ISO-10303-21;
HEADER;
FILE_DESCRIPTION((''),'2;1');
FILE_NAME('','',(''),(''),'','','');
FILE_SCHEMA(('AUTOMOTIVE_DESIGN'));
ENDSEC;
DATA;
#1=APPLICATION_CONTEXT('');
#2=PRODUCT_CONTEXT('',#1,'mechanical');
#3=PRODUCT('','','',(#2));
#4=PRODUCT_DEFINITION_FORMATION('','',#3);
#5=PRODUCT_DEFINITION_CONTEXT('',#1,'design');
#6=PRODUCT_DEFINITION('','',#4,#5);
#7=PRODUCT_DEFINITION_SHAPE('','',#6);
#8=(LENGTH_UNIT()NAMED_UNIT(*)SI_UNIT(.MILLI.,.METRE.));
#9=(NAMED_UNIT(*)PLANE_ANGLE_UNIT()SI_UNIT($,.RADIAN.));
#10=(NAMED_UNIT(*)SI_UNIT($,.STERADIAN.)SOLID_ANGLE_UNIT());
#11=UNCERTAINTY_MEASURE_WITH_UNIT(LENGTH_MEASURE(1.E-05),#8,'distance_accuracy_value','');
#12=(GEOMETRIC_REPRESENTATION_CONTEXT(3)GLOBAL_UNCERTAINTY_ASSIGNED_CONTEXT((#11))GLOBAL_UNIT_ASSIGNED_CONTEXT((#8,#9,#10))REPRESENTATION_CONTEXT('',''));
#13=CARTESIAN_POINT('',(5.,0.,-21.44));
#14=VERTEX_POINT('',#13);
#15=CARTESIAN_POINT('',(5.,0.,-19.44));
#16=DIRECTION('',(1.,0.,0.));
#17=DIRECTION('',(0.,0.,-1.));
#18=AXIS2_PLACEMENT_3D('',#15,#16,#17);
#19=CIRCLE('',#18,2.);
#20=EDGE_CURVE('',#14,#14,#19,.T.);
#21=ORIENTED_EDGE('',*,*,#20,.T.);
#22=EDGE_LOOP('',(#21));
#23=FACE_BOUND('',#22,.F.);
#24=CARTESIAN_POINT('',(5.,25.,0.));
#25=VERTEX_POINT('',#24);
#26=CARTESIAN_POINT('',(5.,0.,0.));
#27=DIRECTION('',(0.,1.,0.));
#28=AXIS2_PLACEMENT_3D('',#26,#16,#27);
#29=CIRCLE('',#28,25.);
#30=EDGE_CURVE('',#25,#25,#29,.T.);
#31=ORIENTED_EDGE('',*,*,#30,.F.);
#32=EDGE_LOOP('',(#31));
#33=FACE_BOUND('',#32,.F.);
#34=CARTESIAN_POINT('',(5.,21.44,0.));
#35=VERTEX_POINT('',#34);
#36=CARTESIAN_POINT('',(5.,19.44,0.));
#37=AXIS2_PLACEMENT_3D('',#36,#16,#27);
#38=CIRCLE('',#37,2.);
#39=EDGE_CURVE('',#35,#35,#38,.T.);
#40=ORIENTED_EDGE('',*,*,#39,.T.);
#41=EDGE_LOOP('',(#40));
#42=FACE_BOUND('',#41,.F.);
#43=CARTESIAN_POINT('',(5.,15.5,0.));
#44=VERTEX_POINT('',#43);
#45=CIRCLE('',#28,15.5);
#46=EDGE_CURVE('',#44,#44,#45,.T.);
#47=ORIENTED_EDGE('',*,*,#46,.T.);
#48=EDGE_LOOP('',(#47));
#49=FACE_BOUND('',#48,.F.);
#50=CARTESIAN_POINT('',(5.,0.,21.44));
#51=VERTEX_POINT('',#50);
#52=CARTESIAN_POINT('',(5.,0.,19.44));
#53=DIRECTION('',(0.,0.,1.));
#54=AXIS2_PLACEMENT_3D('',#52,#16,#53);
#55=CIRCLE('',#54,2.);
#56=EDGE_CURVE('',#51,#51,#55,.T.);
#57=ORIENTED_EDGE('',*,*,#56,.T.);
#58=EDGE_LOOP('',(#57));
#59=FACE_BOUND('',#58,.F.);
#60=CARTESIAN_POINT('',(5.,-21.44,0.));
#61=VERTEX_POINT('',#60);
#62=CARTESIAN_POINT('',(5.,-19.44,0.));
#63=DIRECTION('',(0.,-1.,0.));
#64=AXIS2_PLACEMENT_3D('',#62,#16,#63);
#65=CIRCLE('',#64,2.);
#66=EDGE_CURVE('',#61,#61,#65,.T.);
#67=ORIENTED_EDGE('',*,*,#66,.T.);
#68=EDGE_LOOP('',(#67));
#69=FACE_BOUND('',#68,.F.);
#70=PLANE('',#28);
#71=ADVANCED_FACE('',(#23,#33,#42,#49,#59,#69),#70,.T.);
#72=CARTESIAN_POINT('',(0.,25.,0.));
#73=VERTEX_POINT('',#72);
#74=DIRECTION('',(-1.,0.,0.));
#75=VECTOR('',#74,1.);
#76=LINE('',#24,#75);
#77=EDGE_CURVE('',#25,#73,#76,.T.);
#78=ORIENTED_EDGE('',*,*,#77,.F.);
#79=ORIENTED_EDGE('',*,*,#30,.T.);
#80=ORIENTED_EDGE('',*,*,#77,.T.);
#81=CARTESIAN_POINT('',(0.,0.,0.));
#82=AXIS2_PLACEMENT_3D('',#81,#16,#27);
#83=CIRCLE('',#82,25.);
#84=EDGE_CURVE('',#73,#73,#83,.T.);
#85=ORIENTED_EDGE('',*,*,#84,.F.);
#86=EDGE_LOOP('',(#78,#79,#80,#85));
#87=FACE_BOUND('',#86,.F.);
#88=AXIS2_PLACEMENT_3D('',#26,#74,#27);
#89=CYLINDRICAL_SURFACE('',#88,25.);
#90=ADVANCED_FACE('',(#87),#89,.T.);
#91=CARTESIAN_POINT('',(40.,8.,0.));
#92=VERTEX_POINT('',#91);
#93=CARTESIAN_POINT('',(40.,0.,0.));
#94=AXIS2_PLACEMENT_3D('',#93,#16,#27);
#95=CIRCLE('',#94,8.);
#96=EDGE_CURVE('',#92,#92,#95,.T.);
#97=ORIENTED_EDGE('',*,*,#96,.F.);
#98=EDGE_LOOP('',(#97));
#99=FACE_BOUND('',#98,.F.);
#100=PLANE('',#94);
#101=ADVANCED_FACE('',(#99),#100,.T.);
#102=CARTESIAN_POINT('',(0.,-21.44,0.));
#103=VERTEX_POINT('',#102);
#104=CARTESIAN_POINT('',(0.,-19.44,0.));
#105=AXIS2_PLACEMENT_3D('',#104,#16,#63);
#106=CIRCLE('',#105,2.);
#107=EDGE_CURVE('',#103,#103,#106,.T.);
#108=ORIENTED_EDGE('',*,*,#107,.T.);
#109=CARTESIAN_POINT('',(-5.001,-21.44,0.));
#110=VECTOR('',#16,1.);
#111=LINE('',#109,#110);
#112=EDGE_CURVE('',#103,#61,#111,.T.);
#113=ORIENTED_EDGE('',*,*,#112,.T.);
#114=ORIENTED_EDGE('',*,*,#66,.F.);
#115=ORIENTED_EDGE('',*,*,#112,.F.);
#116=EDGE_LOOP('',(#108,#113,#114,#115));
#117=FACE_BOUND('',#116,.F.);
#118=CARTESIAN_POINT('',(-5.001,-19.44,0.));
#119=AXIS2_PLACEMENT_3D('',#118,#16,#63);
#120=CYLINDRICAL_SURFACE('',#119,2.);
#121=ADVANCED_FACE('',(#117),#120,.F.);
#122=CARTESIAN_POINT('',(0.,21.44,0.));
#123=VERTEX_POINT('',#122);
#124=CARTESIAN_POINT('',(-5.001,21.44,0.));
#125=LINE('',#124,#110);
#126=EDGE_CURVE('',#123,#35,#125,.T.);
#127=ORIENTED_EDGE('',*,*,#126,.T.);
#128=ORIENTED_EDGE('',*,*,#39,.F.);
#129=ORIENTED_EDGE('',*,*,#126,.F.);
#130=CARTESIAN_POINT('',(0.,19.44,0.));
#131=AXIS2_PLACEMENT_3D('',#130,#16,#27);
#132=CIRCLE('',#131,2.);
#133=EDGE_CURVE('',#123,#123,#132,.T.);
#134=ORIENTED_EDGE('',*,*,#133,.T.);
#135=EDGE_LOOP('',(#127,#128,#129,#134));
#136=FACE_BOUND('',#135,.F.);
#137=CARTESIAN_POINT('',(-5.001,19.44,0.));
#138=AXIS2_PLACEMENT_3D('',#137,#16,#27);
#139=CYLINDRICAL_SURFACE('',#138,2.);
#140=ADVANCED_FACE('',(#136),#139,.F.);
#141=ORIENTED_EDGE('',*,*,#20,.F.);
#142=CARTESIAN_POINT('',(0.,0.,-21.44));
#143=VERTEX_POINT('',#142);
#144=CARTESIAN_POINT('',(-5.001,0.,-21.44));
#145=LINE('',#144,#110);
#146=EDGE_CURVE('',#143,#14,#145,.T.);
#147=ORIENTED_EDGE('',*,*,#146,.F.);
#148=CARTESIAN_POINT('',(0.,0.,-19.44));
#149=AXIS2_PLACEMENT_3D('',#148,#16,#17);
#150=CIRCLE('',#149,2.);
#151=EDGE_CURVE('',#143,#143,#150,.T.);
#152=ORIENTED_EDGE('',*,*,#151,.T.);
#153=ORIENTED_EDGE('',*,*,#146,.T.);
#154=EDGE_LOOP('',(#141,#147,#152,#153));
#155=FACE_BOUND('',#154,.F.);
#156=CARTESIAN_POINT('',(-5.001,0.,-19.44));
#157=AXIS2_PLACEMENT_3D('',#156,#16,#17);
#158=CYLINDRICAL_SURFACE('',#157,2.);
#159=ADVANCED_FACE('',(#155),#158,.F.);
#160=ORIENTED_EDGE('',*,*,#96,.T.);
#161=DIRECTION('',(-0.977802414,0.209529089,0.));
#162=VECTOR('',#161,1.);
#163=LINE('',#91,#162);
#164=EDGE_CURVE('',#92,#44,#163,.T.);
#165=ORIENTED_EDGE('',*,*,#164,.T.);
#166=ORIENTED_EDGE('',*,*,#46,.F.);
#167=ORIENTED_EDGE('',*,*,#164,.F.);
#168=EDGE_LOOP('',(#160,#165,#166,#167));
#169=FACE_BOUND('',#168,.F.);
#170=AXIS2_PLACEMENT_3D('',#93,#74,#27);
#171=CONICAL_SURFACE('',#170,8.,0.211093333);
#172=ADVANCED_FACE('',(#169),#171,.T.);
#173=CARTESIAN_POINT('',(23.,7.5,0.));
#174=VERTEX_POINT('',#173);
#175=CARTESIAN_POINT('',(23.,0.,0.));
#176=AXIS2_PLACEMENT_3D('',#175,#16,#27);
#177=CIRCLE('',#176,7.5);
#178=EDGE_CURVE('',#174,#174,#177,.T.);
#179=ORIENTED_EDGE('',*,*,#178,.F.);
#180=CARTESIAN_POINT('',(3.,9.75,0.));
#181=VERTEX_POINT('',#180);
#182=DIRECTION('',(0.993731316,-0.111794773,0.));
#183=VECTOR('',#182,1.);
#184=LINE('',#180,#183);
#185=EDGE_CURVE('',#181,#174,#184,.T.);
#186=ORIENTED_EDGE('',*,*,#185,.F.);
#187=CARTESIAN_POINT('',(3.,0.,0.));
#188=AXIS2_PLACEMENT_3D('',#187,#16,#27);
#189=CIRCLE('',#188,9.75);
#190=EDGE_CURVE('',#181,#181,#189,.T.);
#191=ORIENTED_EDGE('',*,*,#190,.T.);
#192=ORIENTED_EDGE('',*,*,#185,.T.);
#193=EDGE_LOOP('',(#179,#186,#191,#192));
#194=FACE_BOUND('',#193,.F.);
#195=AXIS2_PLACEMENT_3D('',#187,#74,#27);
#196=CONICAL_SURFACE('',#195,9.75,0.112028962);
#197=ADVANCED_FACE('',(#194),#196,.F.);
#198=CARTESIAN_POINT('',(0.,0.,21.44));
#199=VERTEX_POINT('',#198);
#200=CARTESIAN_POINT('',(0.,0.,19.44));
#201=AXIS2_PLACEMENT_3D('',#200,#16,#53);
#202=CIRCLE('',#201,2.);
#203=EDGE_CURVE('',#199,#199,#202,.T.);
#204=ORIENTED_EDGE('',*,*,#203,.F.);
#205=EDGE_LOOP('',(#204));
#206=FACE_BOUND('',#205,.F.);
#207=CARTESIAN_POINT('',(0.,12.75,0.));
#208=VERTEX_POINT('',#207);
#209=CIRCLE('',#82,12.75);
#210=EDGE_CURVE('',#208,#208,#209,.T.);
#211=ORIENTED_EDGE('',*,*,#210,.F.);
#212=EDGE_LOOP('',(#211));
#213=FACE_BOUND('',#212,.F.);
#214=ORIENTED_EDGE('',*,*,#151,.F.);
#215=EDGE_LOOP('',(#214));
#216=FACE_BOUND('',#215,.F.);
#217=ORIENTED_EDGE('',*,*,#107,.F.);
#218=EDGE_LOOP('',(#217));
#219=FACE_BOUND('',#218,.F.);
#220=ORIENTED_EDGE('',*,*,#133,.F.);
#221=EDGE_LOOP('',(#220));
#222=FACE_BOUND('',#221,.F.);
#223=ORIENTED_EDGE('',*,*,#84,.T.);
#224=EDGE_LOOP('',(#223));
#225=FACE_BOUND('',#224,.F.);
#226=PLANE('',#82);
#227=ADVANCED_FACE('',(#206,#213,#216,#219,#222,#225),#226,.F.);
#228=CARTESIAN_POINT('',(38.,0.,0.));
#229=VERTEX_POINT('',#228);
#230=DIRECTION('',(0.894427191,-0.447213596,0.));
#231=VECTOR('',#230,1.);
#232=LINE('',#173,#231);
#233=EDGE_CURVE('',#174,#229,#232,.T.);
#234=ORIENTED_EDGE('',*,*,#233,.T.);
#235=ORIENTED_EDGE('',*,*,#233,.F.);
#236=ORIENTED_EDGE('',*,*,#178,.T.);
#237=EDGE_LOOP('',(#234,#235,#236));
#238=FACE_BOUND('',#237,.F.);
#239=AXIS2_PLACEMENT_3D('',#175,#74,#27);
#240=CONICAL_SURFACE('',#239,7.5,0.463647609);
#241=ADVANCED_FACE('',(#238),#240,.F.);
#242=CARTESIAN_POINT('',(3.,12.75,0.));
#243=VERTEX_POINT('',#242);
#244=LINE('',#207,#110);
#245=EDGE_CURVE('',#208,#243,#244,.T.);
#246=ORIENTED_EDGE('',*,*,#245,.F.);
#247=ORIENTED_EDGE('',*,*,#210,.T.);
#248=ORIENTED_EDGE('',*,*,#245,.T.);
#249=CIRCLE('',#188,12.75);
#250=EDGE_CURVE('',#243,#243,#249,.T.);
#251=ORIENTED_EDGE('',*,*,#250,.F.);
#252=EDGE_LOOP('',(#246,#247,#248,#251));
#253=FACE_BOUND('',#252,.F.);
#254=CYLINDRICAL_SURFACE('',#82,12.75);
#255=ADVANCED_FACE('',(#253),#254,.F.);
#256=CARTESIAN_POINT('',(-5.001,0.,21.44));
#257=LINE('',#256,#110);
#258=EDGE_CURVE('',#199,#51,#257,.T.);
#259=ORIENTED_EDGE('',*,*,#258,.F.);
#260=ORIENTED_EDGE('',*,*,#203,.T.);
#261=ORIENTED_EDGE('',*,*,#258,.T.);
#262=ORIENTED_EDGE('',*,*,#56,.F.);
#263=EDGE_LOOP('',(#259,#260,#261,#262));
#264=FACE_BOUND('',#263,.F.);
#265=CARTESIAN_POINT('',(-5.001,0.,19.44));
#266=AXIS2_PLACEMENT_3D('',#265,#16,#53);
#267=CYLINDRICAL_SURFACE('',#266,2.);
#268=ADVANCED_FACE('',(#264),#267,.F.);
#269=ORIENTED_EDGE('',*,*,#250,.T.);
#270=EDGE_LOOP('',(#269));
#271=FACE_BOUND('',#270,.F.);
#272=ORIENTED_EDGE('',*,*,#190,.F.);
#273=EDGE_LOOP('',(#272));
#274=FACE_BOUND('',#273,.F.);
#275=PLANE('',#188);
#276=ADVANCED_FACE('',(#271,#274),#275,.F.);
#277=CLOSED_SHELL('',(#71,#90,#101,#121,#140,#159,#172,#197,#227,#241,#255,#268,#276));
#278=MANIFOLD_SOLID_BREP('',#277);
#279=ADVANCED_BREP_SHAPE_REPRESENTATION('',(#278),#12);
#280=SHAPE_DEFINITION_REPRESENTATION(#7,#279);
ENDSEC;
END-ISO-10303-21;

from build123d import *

# Parameters (mm, degrees)
F_4_0_4_DURCHMESSER_BOHRUNG1_D     = 4
F_4_0_4_DURCHMESSER_BOHRUNG1_DEPTH = 5.001
KREISMUSTER1_COUNT                 = 4


with BuildPart() as part:
    # Skizze1 → Rotation1 (revolve)
    with BuildSketch(Plane.XY):
        Polygon((0, 12.75), (3, 12.75), (3, 9.75), (23, 7.5), (38, 0), (40, 0), (40, 8), (5, 15.5), (5, 25), (0, 25), align=None)
    revolve(axis=Axis((-34.842488806, 0, 0), (1, 0, 0)))

    # Ø4.0 (4) Durchmesser Bohrung1
    with Locations(Plane.ZY):
        with Locations((-19.44, 0)):
            f_4_0_4_durchmesser_bohrung1 = Hole(F_4_0_4_DURCHMESSER_BOHRUNG1_D / 2, depth=F_4_0_4_DURCHMESSER_BOHRUNG1_DEPTH)

    # Kreismuster1: Ø4.0 (4) Durchmesser Bohrung1 ×4 about axis
    kreismuster1_axis = Axis((0, 0, 0), (1, 0, 0))
    for i in range(1, KREISMUSTER1_COUNT):
        add(f_4_0_4_durchmesser_bohrung1.rotate(kreismuster1_axis, i * 360 / KREISMUSTER1_COUNT), mode=Mode.SUBTRACT)


solid = part.part
